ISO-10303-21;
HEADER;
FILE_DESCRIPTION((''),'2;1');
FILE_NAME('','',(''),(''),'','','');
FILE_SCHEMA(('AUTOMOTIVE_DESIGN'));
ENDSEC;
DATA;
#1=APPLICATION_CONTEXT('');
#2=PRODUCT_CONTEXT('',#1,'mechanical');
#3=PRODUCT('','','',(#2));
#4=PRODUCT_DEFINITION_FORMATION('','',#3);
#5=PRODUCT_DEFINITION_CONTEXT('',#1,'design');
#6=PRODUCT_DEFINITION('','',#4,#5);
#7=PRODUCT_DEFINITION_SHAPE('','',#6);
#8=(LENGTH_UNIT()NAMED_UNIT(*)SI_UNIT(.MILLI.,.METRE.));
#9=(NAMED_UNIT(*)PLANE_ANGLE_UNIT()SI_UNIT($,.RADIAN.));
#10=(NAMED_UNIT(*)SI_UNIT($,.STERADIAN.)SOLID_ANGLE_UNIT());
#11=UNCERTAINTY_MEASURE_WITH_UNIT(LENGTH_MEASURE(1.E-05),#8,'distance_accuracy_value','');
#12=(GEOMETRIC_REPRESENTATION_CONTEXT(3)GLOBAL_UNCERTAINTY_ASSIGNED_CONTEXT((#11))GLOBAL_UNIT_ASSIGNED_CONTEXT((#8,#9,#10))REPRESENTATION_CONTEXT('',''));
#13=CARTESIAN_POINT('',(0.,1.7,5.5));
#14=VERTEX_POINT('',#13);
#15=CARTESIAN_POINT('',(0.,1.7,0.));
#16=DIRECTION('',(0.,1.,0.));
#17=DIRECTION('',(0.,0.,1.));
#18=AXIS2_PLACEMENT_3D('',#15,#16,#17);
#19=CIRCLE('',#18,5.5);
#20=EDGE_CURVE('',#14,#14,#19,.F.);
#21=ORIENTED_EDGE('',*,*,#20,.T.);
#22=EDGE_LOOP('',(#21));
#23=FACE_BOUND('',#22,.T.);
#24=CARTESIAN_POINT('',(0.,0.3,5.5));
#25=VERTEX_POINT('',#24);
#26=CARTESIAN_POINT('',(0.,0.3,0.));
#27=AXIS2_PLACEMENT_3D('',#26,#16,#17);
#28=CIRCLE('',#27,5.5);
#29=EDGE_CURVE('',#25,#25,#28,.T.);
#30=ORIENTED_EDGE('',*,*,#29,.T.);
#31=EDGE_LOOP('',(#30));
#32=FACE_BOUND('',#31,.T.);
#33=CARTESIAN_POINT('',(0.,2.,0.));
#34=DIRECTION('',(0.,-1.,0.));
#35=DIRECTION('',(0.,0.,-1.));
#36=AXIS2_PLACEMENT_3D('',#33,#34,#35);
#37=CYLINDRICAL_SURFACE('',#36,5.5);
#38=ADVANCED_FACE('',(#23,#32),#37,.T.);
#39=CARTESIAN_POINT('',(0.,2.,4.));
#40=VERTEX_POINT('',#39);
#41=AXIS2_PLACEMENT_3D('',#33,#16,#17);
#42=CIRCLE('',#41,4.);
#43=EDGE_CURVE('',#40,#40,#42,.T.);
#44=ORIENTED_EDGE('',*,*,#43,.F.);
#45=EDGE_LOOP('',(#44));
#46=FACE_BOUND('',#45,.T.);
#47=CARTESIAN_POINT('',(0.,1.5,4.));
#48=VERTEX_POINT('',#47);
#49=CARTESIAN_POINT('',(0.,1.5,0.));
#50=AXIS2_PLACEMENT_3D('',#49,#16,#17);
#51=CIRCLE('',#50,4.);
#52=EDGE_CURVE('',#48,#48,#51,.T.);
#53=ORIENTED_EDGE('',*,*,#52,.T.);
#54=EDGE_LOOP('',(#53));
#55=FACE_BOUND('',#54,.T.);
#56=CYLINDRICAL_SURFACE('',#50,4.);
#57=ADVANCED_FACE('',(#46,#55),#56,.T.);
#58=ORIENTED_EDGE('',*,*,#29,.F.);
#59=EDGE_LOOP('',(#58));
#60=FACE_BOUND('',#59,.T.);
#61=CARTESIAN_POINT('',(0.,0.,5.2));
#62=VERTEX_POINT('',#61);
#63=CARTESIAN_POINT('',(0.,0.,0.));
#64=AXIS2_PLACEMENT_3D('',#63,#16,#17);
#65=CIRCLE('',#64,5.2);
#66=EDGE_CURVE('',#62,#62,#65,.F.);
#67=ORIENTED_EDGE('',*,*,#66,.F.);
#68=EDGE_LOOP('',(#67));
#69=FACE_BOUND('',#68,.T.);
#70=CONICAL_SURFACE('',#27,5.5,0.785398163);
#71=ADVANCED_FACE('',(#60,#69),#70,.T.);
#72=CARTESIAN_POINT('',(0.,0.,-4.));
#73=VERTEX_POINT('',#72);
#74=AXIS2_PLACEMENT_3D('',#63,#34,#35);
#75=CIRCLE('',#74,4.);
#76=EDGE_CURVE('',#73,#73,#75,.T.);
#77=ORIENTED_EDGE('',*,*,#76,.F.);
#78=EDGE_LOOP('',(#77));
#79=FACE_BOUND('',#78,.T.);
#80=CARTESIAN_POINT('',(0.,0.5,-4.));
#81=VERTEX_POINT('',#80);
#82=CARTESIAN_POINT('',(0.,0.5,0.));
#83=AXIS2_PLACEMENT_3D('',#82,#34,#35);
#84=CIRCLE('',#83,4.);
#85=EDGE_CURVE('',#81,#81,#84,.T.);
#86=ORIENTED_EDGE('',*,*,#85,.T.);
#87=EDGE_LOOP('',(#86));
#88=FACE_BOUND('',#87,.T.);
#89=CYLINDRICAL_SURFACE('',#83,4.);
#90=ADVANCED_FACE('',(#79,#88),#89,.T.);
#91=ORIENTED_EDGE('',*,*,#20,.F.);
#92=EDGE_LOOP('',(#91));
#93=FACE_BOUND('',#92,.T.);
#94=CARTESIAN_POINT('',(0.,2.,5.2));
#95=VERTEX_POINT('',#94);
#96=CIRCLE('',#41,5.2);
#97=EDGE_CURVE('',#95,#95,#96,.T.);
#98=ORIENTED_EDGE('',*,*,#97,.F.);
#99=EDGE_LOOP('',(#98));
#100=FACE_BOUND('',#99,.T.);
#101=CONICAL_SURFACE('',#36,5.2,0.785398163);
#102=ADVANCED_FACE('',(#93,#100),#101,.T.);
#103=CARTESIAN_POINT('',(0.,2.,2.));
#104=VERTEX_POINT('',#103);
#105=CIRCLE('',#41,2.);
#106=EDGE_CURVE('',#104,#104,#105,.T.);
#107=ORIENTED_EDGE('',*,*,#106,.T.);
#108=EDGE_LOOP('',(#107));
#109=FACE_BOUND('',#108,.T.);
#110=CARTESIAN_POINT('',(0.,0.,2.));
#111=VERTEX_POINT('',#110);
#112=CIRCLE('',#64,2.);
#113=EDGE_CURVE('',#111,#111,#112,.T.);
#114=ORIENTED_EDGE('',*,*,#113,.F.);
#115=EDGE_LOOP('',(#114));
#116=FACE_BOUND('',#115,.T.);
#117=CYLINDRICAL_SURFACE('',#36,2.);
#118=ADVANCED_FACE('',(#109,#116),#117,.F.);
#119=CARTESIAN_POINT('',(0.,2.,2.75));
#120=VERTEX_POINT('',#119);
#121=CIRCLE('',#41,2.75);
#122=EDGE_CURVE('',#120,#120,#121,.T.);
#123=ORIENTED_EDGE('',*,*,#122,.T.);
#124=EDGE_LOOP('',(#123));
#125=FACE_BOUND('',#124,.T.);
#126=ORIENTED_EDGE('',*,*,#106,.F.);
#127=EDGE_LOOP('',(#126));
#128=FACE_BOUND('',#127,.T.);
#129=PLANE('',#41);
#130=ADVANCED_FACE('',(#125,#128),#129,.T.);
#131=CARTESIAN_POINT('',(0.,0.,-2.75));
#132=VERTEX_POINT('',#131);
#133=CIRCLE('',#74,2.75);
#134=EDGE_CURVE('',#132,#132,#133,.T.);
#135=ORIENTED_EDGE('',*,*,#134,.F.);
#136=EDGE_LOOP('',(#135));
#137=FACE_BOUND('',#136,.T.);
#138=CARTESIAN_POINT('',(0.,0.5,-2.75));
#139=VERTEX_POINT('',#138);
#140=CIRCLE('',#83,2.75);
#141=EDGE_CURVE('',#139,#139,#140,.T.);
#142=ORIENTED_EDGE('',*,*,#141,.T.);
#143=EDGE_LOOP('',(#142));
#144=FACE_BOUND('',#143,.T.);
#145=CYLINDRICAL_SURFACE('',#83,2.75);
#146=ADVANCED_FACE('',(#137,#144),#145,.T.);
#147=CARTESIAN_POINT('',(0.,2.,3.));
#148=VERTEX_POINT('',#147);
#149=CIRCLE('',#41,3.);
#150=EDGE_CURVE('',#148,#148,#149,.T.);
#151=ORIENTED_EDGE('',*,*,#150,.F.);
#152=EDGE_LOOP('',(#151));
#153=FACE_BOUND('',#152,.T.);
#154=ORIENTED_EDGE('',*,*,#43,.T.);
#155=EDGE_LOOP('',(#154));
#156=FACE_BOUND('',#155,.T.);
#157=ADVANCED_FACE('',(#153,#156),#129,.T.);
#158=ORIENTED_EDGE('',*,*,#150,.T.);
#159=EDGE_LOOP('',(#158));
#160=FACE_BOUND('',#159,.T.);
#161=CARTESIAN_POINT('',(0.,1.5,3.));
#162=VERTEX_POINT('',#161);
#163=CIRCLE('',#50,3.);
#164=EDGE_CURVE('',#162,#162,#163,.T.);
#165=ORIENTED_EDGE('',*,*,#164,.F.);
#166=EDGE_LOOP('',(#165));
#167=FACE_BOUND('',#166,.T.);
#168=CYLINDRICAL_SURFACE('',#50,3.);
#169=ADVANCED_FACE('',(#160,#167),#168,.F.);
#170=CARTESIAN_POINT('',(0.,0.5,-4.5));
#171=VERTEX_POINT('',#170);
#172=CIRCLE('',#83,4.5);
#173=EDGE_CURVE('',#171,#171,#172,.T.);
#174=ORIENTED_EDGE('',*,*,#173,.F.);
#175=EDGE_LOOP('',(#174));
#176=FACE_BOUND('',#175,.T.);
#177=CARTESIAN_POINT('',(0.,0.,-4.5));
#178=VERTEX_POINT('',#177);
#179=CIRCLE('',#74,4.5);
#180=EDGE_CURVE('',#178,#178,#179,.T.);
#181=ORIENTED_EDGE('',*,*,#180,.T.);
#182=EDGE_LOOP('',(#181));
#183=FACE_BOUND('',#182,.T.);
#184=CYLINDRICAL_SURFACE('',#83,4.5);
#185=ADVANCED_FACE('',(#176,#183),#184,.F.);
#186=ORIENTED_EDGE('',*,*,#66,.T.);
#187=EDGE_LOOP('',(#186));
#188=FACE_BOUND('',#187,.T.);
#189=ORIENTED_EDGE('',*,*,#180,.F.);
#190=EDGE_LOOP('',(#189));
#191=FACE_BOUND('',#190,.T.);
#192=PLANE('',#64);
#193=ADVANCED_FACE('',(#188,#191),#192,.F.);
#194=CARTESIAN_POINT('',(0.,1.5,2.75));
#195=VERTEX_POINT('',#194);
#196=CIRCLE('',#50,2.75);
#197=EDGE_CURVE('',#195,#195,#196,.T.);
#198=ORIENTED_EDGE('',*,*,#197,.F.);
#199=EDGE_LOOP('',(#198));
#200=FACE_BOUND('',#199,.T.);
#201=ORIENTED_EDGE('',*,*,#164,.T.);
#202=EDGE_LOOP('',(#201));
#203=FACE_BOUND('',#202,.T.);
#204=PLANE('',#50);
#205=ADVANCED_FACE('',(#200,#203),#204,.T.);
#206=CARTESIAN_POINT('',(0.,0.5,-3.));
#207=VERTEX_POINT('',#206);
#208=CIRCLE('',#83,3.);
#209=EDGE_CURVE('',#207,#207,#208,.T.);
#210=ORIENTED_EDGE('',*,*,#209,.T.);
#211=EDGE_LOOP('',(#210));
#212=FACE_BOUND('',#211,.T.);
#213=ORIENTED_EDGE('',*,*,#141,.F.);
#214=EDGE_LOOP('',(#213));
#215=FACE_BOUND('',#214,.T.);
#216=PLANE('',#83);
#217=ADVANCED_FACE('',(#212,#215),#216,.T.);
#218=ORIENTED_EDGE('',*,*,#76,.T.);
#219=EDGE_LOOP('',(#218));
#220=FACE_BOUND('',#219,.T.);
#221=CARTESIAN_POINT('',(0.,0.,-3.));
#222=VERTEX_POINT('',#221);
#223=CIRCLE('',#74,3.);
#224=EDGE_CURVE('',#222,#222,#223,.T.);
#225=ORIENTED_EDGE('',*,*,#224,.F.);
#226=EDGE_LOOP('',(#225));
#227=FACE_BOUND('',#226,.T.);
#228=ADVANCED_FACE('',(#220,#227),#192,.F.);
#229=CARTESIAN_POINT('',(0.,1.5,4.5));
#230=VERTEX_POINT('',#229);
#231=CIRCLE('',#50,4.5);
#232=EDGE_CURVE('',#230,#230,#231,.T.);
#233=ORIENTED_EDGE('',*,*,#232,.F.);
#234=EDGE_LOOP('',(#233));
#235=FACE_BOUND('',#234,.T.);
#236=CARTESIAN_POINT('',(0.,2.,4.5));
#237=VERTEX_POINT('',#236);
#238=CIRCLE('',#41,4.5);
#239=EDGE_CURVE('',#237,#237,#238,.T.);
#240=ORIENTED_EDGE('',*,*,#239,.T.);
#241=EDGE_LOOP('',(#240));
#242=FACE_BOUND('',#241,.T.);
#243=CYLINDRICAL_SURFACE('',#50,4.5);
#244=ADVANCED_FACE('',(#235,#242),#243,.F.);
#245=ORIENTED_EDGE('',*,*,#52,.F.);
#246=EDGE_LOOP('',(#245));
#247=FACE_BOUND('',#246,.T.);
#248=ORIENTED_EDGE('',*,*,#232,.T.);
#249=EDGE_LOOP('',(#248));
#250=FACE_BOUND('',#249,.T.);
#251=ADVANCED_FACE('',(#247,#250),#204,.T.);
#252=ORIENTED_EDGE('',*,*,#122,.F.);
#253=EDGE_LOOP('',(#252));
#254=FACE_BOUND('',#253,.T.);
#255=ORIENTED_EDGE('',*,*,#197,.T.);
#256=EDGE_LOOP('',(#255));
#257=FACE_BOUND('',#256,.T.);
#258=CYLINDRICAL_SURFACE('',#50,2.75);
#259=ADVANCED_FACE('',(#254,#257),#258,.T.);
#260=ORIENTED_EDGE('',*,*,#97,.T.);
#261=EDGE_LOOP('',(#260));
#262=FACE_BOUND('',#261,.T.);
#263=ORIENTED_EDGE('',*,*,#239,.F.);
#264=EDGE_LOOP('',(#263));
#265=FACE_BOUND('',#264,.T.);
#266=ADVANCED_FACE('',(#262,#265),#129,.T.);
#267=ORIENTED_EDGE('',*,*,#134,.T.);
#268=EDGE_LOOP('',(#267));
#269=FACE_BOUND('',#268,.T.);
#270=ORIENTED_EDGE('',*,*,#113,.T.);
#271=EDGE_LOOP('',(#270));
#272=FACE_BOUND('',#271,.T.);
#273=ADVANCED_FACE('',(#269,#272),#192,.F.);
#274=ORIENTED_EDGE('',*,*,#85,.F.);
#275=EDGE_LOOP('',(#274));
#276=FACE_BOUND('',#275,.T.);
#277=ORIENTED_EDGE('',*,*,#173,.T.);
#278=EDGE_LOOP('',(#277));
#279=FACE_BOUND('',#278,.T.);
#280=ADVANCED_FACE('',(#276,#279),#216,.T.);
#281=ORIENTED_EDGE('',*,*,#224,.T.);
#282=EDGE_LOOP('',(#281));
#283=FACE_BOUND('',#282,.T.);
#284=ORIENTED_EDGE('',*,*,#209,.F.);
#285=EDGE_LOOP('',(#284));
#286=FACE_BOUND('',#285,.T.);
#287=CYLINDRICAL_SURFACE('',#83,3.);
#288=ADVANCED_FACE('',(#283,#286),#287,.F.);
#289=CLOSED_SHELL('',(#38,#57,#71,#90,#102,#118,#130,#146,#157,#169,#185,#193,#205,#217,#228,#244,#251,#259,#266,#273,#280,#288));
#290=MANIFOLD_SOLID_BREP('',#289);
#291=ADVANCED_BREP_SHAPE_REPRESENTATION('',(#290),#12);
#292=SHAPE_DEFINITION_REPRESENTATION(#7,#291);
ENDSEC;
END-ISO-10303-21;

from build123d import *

# Parameters (mm, degrees)
SKETCH1_R           = 5.5
SKETCH1_R_2         = 2
BOSS_EXTRUDE1_DEPTH = 2
SKETCH2_R           = 4.5
SKETCH2_R_2         = 4
SKETCH2_R_3         = 3
SKETCH2_R_4         = 2.75
CUT_EXTRUDE1_DEPTH  = 0.5
CUT_EXTRUDE2_START  = -0.5
SKETCH3_R           = 4.5
SKETCH3_R_2         = 4
SKETCH3_R_3         = 3
SKETCH3_R_4         = 2.75
CUT_EXTRUDE2_DEPTH  = 0.5
CHAMFER1_SIZE       = 0.3


with BuildPart() as part:
    # Sketch1 → Boss-Extrude1 (new body)
    with BuildSketch(Plane(origin=(0, 0, 0), x_dir=(1, 0, 0), z_dir=(0, 1, 0))):
        with Locations(Location((0, 0, 0), (0, 0, 270))):
            Circle(SKETCH1_R)
        with Locations(Location((0, 0, 0), (0, 0, 270))):
            Circle(SKETCH1_R_2, mode=Mode.SUBTRACT)
    extrude(amount=BOSS_EXTRUDE1_DEPTH)

    # Sketch2 → Cut-Extrude1 (cut)
    # profile 1 of 2: a face of its own
    with BuildSketch(Plane(origin=(0, 2, 0), x_dir=(1, 0, 0), z_dir=(0, 1, 0))):
        with Locations(Location((0, 0, 0), (0, 0, 270))):
            Circle(SKETCH2_R)
        with Locations(Location((0, 0, 0), (0, 0, 270))):
            Circle(SKETCH2_R_2, mode=Mode.SUBTRACT)
    # profile 2 of 2: a face of its own
    with BuildSketch(Plane(origin=(0, 2, 0), x_dir=(1, 0, 0), z_dir=(0, 1, 0))):
        with Locations(Location((0, 0, 0), (0, 0, 270))):
            Circle(SKETCH2_R_3)
        with Locations(Location((0, 0, 0), (0, 0, 270))):
            Circle(SKETCH2_R_4, mode=Mode.SUBTRACT)
    extrude(amount=-CUT_EXTRUDE1_DEPTH, mode=Mode.SUBTRACT)

    # Sketch3 → Cut-Extrude2 (cut)
    # profile 1 of 2: a face of its own
    with BuildSketch(Plane.XZ.offset(CUT_EXTRUDE2_START)):
        with Locations(Location((0, 0, 0), (0, 0, 90))):
            Circle(SKETCH3_R)
        with Locations(Location((0, 0, 0), (0, 0, 90))):
            Circle(SKETCH3_R_2, mode=Mode.SUBTRACT)
    # profile 2 of 2: a face of its own
    with BuildSketch(Plane.XZ.offset(CUT_EXTRUDE2_START)):
        with Locations(Location((0, 0, 0), (0, 0, 90))):
            Circle(SKETCH3_R_3)
        with Locations(Location((0, 0, 0), (0, 0, 90))):
            Circle(SKETCH3_R_4, mode=Mode.SUBTRACT)
    extrude(amount=CUT_EXTRUDE2_DEPTH, mode=Mode.SUBTRACT)

    # Chamfer1
    chamfer1_edges = [part.edges().sort_by_distance(p)[0] for p in [
        (0, 0, -5.5),
        (0, 2, -5.5),
    ]]
    chamfer(chamfer1_edges, length=CHAMFER1_SIZE)


solid = part.part
